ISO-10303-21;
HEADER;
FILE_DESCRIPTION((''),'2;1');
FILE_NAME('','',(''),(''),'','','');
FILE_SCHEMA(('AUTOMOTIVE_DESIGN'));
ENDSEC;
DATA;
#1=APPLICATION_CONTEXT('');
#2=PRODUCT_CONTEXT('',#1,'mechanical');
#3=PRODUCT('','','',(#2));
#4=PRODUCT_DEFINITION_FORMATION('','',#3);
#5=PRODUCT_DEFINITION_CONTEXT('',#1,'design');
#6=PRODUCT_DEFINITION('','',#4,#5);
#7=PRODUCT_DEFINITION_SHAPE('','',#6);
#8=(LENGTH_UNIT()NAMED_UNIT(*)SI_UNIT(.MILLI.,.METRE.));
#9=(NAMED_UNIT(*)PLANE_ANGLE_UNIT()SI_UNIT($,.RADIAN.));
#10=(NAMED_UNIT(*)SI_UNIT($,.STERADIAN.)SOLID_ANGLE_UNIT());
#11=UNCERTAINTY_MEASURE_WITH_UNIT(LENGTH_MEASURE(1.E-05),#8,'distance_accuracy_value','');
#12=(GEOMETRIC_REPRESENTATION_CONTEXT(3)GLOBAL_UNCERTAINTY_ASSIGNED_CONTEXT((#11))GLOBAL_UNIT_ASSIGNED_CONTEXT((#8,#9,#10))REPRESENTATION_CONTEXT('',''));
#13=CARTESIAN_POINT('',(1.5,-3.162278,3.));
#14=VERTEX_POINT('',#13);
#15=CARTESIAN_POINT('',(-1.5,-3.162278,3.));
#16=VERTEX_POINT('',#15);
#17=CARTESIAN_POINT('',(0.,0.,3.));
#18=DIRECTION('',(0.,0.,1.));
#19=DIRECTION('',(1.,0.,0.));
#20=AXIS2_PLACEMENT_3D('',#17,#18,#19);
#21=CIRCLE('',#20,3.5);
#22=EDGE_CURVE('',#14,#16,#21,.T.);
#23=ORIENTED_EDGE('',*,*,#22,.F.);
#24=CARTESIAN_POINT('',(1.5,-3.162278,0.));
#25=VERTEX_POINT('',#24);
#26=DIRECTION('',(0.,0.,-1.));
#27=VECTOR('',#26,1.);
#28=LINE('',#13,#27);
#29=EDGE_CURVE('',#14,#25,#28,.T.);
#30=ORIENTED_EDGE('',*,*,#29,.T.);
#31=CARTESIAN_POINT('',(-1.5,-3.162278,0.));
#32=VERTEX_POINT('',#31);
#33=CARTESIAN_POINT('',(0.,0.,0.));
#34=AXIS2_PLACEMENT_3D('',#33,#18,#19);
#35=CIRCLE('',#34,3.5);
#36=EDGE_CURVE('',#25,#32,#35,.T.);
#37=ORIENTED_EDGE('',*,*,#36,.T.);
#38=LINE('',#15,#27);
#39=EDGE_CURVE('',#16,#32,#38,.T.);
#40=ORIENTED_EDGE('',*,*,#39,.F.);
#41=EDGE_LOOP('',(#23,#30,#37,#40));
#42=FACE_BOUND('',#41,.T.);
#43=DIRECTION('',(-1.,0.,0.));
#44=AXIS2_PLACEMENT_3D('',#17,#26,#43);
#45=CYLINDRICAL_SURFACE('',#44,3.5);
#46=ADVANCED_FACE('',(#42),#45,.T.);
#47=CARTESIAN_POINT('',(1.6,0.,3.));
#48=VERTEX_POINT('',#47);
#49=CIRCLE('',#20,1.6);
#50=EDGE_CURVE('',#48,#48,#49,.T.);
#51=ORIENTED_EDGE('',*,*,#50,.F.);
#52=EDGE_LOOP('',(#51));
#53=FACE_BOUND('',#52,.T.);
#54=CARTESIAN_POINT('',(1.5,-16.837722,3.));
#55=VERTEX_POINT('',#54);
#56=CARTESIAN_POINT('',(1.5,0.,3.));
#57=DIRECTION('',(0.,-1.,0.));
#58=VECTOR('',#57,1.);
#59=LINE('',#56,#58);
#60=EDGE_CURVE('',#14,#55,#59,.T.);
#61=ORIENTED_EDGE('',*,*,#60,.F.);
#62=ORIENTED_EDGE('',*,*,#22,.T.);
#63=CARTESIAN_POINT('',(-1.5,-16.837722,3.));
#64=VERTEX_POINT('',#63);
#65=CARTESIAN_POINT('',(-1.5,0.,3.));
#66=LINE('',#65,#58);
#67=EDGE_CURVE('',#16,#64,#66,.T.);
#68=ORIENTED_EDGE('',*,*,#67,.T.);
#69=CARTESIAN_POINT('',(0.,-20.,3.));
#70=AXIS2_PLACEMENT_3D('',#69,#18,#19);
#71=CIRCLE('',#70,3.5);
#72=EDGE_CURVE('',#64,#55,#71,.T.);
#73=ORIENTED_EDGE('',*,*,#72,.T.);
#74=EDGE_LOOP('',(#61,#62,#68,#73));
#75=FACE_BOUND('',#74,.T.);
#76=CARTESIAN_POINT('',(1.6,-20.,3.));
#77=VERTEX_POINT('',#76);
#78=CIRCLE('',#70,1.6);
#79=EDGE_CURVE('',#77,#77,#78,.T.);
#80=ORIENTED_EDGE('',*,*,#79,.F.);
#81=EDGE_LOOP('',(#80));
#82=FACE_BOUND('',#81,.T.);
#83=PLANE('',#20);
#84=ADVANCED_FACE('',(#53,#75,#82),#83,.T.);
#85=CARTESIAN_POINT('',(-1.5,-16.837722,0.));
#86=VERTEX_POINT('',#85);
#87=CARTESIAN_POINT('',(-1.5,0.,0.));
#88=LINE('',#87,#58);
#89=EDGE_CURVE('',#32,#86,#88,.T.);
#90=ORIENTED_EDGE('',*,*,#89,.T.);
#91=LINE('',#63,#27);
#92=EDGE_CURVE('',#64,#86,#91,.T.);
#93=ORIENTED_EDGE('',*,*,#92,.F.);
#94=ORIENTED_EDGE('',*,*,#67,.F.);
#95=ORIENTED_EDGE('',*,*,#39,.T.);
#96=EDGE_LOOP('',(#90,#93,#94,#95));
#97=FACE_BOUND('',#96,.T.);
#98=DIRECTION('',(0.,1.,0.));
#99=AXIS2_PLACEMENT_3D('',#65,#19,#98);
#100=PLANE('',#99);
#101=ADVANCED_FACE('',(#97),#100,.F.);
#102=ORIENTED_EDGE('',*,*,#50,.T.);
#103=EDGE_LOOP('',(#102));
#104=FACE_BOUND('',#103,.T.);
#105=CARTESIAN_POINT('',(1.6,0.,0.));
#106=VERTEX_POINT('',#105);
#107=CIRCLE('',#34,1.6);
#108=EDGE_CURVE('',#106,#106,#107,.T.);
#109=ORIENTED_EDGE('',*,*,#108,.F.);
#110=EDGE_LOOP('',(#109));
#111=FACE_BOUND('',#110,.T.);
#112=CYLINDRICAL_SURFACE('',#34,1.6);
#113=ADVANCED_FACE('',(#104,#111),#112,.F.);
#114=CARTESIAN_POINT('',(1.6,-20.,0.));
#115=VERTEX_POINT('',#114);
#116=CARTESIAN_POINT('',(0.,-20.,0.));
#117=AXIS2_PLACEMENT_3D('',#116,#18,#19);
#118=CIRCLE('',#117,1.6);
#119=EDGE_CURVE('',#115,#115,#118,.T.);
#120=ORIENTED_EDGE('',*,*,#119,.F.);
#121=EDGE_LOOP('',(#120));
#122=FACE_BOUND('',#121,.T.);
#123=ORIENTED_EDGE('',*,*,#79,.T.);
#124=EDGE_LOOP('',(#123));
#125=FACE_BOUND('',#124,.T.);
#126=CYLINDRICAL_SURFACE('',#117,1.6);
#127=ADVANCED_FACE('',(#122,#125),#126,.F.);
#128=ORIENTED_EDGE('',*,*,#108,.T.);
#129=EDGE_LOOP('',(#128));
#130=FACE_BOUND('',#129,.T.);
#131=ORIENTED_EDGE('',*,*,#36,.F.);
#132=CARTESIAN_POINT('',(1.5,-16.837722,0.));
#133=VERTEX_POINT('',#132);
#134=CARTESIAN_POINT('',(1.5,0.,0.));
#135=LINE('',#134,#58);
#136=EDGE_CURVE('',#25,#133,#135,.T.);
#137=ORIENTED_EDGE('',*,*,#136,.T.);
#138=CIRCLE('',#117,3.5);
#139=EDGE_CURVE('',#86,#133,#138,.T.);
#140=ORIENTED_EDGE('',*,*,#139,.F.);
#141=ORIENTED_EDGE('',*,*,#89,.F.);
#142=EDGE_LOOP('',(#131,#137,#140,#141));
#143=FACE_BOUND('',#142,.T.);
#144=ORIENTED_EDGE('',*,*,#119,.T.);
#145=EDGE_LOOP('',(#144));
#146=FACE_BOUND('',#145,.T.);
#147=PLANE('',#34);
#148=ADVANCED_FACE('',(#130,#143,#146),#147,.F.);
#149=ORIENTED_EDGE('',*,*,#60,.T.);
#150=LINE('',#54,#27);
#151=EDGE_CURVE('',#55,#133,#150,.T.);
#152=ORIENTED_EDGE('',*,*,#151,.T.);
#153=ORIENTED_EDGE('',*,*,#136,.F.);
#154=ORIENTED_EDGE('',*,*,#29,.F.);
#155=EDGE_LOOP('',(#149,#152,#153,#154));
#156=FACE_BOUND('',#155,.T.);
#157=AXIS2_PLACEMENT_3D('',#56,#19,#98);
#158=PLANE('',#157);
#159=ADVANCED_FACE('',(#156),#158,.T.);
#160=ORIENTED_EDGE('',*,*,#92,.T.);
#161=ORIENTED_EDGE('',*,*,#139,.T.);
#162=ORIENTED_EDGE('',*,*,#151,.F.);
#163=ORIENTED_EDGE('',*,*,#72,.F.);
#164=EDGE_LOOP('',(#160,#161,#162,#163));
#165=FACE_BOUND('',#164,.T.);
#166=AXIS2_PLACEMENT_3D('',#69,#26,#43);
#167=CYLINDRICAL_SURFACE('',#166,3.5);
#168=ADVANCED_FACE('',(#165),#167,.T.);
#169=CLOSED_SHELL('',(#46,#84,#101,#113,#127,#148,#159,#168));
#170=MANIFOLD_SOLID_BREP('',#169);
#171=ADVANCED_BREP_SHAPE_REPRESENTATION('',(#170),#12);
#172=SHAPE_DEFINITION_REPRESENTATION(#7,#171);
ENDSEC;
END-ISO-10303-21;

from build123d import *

# Parameters (mm, degrees)
BOSS_EXTRUDE1_DEPTH = 3
SKETCH2_R           = 1.6
CUT_EXTRUDE1_DEPTH  = 3


with BuildPart() as part:
    # Sketch1 → Boss-Extrude1 (new body)
    with BuildSketch(Plane.XY):
        with BuildLine():
            Line((-1.5, -3.16227766), (-1.5, 0))
            Line((-1.5, 0), (1.5, 0))
            Line((1.5, 0), (1.5, -3.16227766))
            ThreePointArc((1.5, -3.16227766), (2.958039892, -1.870828693), (3.5, 0))
            ThreePointArc((3.5, 0), (-1.870828693, 2.958039892), (-1.5, -3.16227766))
        make_face()
        with BuildLine():
            Line((1.5, 0), (-1.5, 0))
            Line((-1.5, 0), (-1.5, -3.16227766))
            ThreePointArc((-1.5, -3.16227766), (0, -3.5), (1.5, -3.16227766))
            Line((1.5, -3.16227766), (1.5, 0))
        make_face()
        with BuildLine():
            ThreePointArc((1.5, -3.16227766), (0, -3.5), (-1.5, -3.16227766))
            Line((-1.5, -3.16227766), (-1.5, -16.83772234))
            ThreePointArc((-1.5, -16.83772234), (0, -16.5), (1.5, -16.83772234))
            Line((1.5, -16.83772234), (1.5, -3.16227766))
        make_face()
        with BuildLine():
            ThreePointArc((1.5, -16.83772234), (0, -16.5), (-1.5, -16.83772234))
            Line((-1.5, -16.83772234), (-1.5, -20))
            Line((-1.5, -20), (1.5, -20))
            Line((1.5, -20), (1.5, -16.83772234))
        make_face()
        with BuildLine():
            Line((-1.5, -20), (-1.5, -16.83772234))
            ThreePointArc((-1.5, -16.83772234), (-1.870828693, -22.958039892), (3.5, -20))
            ThreePointArc((3.5, -20), (2.958039892, -18.129171307), (1.5, -16.83772234))
            Line((1.5, -16.83772234), (1.5, -20))
            Line((1.5, -20), (-1.5, -20))
        make_face()
    extrude(amount=BOSS_EXTRUDE1_DEPTH)

    # Sketch2 → Cut-Extrude1 (cut)
    with BuildSketch(Plane.XY.offset(3)):
        with Locations((0, -20)):
            Circle(SKETCH2_R)
        Circle(SKETCH2_R)
    extrude(amount=-CUT_EXTRUDE1_DEPTH, mode=Mode.SUBTRACT)


solid = part.part
